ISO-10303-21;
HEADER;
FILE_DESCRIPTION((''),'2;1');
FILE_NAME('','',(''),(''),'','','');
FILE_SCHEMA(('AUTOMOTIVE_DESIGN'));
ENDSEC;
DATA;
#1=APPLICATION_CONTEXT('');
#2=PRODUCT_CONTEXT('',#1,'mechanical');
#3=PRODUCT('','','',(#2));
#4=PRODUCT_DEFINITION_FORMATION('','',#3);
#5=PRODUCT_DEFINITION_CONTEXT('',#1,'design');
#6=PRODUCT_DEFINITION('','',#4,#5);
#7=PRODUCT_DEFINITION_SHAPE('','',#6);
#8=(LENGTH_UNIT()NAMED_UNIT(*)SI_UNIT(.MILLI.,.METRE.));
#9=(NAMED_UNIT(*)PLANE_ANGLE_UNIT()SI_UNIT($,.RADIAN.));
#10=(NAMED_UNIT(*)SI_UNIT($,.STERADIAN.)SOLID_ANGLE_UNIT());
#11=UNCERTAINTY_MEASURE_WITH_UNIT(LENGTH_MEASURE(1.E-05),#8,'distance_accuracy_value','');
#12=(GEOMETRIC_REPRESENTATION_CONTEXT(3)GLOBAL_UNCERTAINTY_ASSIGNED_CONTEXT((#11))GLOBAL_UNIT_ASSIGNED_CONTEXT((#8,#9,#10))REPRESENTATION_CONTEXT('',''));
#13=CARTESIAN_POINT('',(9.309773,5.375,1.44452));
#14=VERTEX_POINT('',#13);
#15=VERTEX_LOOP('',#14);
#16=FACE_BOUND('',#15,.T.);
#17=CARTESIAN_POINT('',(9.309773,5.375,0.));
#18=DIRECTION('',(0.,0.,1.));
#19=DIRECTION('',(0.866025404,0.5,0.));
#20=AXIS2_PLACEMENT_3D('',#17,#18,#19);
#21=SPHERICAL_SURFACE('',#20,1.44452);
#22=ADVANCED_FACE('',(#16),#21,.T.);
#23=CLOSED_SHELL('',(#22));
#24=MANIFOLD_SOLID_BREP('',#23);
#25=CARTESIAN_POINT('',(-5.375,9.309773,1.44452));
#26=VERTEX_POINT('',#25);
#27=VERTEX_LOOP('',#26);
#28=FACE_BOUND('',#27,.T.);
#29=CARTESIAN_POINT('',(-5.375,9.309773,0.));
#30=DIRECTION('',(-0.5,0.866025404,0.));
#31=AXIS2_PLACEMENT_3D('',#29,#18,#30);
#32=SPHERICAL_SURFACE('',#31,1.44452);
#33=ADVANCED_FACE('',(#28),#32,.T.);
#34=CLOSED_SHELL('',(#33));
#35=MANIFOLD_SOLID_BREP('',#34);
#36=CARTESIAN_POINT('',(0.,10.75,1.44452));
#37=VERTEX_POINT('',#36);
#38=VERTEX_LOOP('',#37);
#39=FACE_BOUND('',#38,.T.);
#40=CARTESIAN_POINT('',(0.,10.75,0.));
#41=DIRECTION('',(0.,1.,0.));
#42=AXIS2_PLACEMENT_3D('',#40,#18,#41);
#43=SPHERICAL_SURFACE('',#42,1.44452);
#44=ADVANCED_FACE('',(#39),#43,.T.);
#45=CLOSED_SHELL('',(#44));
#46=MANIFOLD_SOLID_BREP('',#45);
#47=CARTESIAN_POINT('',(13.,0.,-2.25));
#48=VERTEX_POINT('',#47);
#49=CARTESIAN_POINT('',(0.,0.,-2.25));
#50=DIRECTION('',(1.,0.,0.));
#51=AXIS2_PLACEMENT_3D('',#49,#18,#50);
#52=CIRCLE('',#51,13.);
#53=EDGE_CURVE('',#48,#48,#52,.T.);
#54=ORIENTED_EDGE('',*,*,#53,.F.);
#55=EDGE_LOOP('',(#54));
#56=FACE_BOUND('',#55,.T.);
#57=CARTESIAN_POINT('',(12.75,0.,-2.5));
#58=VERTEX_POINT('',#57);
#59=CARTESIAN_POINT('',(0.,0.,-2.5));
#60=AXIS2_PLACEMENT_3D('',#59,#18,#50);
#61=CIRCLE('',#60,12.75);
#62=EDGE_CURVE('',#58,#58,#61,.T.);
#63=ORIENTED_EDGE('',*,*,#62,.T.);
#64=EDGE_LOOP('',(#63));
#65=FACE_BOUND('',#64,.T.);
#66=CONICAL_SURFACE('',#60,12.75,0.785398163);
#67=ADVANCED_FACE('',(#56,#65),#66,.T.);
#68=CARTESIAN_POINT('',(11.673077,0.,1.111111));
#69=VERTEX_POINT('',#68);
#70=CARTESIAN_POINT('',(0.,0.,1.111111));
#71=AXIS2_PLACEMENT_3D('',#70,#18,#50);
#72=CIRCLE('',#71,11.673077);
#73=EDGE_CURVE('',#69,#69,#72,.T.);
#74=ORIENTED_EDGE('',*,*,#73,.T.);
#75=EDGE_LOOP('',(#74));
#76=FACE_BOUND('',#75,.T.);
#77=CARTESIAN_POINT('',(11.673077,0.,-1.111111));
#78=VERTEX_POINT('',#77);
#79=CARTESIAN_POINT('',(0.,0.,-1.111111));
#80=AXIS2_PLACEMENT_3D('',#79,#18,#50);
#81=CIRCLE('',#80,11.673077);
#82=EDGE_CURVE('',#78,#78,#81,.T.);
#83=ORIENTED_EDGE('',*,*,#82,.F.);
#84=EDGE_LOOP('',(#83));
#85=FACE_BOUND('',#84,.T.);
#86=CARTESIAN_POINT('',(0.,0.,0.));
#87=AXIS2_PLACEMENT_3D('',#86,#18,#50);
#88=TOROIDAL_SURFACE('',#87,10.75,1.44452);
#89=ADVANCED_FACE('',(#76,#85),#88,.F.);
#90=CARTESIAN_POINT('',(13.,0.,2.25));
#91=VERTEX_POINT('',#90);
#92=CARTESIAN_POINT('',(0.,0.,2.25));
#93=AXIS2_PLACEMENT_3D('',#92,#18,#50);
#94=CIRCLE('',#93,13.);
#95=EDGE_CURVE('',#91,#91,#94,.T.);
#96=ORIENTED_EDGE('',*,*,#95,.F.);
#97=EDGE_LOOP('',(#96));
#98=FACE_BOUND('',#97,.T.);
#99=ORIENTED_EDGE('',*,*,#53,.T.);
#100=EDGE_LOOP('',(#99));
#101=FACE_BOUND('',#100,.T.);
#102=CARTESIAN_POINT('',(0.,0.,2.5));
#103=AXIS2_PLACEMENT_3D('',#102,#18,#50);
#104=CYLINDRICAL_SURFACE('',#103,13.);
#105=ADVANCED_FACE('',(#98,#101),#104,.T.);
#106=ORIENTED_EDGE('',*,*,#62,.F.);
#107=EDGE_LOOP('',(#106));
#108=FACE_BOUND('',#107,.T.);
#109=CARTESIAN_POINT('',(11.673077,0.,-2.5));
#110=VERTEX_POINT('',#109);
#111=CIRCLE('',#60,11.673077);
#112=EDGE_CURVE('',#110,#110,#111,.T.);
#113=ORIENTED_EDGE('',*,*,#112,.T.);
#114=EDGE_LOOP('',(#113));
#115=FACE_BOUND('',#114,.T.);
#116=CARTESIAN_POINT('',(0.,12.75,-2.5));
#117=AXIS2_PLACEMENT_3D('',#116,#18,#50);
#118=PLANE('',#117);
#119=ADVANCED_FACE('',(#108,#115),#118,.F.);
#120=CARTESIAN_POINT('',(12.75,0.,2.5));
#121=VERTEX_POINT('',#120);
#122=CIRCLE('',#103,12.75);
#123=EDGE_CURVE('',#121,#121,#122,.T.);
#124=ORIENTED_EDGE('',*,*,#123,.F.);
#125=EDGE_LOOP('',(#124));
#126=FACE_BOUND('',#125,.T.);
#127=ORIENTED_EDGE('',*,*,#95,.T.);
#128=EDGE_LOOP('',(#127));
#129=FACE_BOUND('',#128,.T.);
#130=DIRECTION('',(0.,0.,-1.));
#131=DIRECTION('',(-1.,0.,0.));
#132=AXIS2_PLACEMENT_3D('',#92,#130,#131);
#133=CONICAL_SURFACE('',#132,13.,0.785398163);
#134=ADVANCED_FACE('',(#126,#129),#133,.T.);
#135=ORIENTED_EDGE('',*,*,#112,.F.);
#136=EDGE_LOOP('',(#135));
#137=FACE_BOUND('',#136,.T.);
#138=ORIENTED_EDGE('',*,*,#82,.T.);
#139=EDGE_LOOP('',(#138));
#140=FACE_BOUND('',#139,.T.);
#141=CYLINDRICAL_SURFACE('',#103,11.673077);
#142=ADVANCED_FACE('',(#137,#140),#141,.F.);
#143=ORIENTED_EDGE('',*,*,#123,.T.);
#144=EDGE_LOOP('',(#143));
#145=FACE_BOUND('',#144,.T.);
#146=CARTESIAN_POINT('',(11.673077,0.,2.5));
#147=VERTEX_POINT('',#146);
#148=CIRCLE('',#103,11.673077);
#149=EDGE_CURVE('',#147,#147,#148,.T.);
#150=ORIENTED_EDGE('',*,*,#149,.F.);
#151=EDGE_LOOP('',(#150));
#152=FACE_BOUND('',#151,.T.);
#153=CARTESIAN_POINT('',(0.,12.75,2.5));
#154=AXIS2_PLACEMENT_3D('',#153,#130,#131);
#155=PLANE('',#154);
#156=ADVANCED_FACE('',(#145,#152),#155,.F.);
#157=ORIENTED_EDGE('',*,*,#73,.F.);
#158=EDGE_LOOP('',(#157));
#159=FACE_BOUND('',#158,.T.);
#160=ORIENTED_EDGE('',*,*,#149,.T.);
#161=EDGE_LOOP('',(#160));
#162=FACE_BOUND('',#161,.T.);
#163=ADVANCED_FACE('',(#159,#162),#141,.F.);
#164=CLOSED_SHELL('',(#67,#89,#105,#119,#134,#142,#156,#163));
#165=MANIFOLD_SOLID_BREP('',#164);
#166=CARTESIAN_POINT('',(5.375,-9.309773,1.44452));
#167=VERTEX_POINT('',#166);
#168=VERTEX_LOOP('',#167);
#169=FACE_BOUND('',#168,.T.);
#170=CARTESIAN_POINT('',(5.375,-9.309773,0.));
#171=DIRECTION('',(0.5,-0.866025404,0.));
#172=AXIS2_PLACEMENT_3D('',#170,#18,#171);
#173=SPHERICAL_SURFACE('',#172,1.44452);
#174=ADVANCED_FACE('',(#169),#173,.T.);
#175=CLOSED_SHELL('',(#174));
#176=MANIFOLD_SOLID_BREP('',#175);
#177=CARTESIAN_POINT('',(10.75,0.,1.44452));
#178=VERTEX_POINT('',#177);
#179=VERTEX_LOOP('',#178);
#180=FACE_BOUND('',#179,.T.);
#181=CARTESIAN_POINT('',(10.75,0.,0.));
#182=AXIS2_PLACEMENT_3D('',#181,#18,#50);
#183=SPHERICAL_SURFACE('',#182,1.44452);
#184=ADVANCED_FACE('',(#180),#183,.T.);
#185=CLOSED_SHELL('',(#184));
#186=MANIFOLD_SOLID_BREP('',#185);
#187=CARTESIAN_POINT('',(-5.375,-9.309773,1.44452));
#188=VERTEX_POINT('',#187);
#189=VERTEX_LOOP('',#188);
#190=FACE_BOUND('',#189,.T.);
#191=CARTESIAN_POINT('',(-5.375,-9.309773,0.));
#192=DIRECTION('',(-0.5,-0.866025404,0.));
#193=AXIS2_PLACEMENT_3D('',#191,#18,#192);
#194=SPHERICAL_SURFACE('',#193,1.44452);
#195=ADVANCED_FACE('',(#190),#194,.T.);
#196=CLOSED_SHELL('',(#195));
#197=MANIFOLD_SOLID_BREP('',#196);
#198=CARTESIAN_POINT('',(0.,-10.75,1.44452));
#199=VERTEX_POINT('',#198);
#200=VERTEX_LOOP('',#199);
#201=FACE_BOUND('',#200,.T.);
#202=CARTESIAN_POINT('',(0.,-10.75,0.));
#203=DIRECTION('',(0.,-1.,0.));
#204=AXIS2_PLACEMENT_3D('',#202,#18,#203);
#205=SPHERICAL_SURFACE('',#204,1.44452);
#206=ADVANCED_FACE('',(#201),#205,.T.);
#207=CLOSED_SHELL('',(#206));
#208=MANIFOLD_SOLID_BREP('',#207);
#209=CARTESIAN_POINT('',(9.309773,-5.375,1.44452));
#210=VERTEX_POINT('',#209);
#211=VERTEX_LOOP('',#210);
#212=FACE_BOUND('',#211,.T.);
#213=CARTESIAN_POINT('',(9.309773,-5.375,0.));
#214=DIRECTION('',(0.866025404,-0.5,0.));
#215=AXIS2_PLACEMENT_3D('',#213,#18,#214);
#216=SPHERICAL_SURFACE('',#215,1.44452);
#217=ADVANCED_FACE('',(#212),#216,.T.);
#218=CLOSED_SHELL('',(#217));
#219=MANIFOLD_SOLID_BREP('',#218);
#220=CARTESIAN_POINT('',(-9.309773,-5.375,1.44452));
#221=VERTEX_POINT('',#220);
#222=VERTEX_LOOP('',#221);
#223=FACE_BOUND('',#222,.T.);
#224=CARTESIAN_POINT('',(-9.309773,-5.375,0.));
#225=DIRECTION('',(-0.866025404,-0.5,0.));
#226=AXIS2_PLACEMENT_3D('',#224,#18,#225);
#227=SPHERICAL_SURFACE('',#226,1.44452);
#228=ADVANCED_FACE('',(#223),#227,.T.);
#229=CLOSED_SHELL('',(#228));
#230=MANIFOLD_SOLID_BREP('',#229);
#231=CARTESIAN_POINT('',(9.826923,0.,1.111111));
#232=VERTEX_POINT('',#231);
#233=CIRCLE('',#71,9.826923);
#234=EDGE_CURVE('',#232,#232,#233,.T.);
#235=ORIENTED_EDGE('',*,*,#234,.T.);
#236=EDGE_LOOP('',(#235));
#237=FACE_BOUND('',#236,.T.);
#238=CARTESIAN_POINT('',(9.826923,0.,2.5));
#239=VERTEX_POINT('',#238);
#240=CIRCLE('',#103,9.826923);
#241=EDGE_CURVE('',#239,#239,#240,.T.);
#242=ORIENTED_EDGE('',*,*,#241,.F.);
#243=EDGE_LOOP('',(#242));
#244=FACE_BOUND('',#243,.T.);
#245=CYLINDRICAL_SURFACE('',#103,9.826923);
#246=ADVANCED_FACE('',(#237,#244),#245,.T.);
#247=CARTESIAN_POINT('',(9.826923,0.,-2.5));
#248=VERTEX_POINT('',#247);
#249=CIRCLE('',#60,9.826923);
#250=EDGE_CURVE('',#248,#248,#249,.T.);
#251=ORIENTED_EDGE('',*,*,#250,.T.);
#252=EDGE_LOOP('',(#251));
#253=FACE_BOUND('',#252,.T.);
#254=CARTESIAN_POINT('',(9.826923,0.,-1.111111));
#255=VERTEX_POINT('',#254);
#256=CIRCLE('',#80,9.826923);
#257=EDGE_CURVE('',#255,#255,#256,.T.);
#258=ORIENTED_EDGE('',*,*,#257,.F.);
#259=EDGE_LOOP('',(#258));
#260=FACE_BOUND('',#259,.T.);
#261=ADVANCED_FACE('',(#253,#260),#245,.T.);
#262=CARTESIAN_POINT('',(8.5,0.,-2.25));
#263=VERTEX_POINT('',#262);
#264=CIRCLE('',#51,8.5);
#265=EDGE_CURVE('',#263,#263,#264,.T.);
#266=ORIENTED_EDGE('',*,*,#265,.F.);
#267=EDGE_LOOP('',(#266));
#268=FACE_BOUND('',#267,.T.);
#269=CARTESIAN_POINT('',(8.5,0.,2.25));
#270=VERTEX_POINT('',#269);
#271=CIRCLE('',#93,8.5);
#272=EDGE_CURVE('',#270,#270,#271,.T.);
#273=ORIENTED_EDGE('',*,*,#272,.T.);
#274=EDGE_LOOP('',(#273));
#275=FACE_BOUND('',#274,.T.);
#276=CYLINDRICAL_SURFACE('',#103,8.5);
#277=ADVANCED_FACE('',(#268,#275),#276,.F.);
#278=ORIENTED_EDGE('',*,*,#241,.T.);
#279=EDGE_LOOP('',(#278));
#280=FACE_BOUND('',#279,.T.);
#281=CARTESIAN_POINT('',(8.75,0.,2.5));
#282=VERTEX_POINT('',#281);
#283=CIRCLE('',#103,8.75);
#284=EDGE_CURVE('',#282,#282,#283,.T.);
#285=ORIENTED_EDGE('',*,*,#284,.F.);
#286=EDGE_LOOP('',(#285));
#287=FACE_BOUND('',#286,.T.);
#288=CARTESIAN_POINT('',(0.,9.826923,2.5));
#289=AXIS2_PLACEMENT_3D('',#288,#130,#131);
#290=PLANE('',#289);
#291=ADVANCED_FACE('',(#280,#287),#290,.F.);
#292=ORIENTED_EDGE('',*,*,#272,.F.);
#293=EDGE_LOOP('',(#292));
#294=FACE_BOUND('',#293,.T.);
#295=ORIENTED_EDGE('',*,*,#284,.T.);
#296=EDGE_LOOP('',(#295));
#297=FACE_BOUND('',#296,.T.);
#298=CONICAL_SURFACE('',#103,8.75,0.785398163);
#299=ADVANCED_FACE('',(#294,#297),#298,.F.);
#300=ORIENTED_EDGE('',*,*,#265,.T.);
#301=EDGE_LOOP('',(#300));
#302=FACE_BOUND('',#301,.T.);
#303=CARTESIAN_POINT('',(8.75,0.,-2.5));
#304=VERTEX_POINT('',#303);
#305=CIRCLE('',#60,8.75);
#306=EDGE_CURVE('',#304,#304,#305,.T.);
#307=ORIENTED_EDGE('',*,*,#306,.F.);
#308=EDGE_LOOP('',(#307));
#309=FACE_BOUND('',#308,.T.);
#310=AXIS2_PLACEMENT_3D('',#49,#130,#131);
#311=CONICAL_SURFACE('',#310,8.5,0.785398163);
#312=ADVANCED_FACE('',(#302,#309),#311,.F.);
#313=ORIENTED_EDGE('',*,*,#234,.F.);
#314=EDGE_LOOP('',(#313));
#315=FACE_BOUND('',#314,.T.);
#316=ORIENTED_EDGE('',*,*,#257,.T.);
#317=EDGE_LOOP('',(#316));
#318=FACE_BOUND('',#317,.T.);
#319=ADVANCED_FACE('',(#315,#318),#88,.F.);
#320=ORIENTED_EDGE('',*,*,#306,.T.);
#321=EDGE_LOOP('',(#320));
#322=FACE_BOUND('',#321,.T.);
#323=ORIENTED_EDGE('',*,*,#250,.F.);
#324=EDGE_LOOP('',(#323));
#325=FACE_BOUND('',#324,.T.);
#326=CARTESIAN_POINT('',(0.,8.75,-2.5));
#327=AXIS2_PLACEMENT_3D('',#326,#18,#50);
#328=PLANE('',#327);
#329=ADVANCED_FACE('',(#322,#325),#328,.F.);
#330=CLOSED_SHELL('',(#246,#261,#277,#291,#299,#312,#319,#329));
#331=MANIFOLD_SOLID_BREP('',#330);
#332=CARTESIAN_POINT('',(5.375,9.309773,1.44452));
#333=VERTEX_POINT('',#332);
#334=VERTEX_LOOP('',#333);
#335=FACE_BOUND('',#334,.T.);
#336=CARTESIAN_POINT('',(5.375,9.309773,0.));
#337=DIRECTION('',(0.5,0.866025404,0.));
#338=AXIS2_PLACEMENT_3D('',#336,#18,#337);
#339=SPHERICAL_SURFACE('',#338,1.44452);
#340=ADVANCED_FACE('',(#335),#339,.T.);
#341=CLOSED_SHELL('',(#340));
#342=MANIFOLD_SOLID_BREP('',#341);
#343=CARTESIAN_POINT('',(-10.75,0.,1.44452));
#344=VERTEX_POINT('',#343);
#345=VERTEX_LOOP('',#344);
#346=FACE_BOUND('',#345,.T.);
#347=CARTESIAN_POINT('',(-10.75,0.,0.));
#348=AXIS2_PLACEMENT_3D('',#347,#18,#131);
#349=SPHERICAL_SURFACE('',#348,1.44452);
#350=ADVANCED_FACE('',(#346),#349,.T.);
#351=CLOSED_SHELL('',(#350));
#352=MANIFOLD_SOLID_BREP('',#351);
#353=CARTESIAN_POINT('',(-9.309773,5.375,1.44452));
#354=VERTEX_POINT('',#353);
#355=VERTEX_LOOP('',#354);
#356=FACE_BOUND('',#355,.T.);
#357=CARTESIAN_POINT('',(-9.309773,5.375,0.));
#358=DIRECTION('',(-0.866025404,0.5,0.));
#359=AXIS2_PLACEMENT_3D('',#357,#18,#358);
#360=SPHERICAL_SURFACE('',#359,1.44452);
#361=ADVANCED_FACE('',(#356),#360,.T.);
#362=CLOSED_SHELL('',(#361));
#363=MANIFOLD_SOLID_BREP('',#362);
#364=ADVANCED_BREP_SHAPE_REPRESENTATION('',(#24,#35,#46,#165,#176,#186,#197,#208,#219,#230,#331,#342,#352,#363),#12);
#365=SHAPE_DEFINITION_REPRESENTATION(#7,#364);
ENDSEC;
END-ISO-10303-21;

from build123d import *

# Parameters (mm, degrees)
CIRPATTERN1_COUNT = 12


with BuildPart() as part:
    # Sketch1 → Revolve1 (revolve)
    with BuildSketch(Plane(origin=(0, 0, 0), x_dir=(0, 0, -1), z_dir=(1, 0, 0))):
        with BuildLine():
            Line((2.25, 13), (-2.25, 13))
            Line((-2.25, 13), (-2.5, 12.75))
            Line((-2.5, 12.75), (-2.5, 11.673076923))
            Line((-2.5, 11.673076923), (-1.111111111, 11.673076923))
            ThreePointArc((-1.111111111, 11.673076923), (0, 12.194520303), (1.111111111, 11.673076923))
            Line((1.111111111, 11.673076923), (2.5, 11.673076923))
            Line((2.5, 11.673076923), (2.5, 12.75))
            Line((2.5, 12.75), (2.25, 13))
        make_face()
    revolve(axis=Axis((0, 0, 2.5), (0, 0, -1)))


with BuildPart() as body_2:
    # Sketch3 → Revolve3 (revolve)
    with BuildSketch(Plane(origin=(0, 0, 0), x_dir=(0, 0, -1), z_dir=(1, 0, 0))):
        with BuildLine():
            Line((-2.5, 9.826923077), (-1.111111111, 9.826923077))
            ThreePointArc((-1.111111111, 9.826923077), (0, 9.305479697), (1.111111111, 9.826923077))
            Line((1.111111111, 9.826923077), (2.5, 9.826923077))
            Line((2.5, 9.826923077), (2.5, 8.75))
            Line((2.5, 8.75), (2.25, 8.5))
            Line((2.25, 8.5), (-2.25, 8.5))
            Line((-2.25, 8.5), (-2.5, 8.75))
            Line((-2.5, 8.75), (-2.5, 9.826923077))
        make_face()
    revolve(axis=Axis((0, 0, 2.5), (0, 0, -1)))


with BuildPart() as body_3:
    # Sketch4 → Revolve4 (revolve)
    with BuildSketch(Plane(origin=(0, 0, 0), x_dir=(0, 0, -1), z_dir=(1, 0, 0))):
        with BuildLine():
            Line((-1.444520303, 10.75), (1.444520303, 10.75))
            ThreePointArc((1.444520303, 10.75), (0, 12.194520303), (-1.444520303, 10.75))
        make_face()
    revolve(axis=Axis((0, 10.75, 1.444520303), (0, 0, -1)))


with BuildPart() as cirpattern1_1:
    # CirPattern1: pattern copy
    add(body_3.part.rotate(Axis((0, 0, -2.5), (0, 0, 1)), 1 * 360 / CIRPATTERN1_COUNT))


with BuildPart() as cirpattern1_2:
    # CirPattern1: pattern copy
    add(body_3.part.rotate(Axis((0, 0, -2.5), (0, 0, 1)), 2 * 360 / CIRPATTERN1_COUNT))


with BuildPart() as cirpattern1_3:
    # CirPattern1: pattern copy
    add(body_3.part.rotate(Axis((0, 0, -2.5), (0, 0, 1)), 3 * 360 / CIRPATTERN1_COUNT))


with BuildPart() as cirpattern1_4:
    # CirPattern1: pattern copy
    add(body_3.part.rotate(Axis((0, 0, -2.5), (0, 0, 1)), 4 * 360 / CIRPATTERN1_COUNT))


with BuildPart() as cirpattern1_5:
    # CirPattern1: pattern copy
    add(body_3.part.rotate(Axis((0, 0, -2.5), (0, 0, 1)), 5 * 360 / CIRPATTERN1_COUNT))


with BuildPart() as cirpattern1_6:
    # CirPattern1: pattern copy
    add(body_3.part.rotate(Axis((0, 0, -2.5), (0, 0, 1)), 6 * 360 / CIRPATTERN1_COUNT))


with BuildPart() as cirpattern1_7:
    # CirPattern1: pattern copy
    add(body_3.part.rotate(Axis((0, 0, -2.5), (0, 0, 1)), 7 * 360 / CIRPATTERN1_COUNT))


with BuildPart() as cirpattern1_8:
    # CirPattern1: pattern copy
    add(body_3.part.rotate(Axis((0, 0, -2.5), (0, 0, 1)), 8 * 360 / CIRPATTERN1_COUNT))


with BuildPart() as cirpattern1_9:
    # CirPattern1: pattern copy
    add(body_3.part.rotate(Axis((0, 0, -2.5), (0, 0, 1)), 9 * 360 / CIRPATTERN1_COUNT))


with BuildPart() as cirpattern1_10:
    # CirPattern1: pattern copy
    add(body_3.part.rotate(Axis((0, 0, -2.5), (0, 0, 1)), 10 * 360 / CIRPATTERN1_COUNT))


with BuildPart() as cirpattern1_11:
    # CirPattern1: pattern copy
    add(body_3.part.rotate(Axis((0, 0, -2.5), (0, 0, 1)), 11 * 360 / CIRPATTERN1_COUNT))


solid = Compound([part.part, body_2.part, body_3.part, cirpattern1_1.part, cirpattern1_2.part, cirpattern1_3.part, cirpattern1_4.part, cirpattern1_5.part, cirpattern1_6.part, cirpattern1_7.part, cirpattern1_8.part, cirpattern1_9.part, cirpattern1_10.part, cirpattern1_11.part])
